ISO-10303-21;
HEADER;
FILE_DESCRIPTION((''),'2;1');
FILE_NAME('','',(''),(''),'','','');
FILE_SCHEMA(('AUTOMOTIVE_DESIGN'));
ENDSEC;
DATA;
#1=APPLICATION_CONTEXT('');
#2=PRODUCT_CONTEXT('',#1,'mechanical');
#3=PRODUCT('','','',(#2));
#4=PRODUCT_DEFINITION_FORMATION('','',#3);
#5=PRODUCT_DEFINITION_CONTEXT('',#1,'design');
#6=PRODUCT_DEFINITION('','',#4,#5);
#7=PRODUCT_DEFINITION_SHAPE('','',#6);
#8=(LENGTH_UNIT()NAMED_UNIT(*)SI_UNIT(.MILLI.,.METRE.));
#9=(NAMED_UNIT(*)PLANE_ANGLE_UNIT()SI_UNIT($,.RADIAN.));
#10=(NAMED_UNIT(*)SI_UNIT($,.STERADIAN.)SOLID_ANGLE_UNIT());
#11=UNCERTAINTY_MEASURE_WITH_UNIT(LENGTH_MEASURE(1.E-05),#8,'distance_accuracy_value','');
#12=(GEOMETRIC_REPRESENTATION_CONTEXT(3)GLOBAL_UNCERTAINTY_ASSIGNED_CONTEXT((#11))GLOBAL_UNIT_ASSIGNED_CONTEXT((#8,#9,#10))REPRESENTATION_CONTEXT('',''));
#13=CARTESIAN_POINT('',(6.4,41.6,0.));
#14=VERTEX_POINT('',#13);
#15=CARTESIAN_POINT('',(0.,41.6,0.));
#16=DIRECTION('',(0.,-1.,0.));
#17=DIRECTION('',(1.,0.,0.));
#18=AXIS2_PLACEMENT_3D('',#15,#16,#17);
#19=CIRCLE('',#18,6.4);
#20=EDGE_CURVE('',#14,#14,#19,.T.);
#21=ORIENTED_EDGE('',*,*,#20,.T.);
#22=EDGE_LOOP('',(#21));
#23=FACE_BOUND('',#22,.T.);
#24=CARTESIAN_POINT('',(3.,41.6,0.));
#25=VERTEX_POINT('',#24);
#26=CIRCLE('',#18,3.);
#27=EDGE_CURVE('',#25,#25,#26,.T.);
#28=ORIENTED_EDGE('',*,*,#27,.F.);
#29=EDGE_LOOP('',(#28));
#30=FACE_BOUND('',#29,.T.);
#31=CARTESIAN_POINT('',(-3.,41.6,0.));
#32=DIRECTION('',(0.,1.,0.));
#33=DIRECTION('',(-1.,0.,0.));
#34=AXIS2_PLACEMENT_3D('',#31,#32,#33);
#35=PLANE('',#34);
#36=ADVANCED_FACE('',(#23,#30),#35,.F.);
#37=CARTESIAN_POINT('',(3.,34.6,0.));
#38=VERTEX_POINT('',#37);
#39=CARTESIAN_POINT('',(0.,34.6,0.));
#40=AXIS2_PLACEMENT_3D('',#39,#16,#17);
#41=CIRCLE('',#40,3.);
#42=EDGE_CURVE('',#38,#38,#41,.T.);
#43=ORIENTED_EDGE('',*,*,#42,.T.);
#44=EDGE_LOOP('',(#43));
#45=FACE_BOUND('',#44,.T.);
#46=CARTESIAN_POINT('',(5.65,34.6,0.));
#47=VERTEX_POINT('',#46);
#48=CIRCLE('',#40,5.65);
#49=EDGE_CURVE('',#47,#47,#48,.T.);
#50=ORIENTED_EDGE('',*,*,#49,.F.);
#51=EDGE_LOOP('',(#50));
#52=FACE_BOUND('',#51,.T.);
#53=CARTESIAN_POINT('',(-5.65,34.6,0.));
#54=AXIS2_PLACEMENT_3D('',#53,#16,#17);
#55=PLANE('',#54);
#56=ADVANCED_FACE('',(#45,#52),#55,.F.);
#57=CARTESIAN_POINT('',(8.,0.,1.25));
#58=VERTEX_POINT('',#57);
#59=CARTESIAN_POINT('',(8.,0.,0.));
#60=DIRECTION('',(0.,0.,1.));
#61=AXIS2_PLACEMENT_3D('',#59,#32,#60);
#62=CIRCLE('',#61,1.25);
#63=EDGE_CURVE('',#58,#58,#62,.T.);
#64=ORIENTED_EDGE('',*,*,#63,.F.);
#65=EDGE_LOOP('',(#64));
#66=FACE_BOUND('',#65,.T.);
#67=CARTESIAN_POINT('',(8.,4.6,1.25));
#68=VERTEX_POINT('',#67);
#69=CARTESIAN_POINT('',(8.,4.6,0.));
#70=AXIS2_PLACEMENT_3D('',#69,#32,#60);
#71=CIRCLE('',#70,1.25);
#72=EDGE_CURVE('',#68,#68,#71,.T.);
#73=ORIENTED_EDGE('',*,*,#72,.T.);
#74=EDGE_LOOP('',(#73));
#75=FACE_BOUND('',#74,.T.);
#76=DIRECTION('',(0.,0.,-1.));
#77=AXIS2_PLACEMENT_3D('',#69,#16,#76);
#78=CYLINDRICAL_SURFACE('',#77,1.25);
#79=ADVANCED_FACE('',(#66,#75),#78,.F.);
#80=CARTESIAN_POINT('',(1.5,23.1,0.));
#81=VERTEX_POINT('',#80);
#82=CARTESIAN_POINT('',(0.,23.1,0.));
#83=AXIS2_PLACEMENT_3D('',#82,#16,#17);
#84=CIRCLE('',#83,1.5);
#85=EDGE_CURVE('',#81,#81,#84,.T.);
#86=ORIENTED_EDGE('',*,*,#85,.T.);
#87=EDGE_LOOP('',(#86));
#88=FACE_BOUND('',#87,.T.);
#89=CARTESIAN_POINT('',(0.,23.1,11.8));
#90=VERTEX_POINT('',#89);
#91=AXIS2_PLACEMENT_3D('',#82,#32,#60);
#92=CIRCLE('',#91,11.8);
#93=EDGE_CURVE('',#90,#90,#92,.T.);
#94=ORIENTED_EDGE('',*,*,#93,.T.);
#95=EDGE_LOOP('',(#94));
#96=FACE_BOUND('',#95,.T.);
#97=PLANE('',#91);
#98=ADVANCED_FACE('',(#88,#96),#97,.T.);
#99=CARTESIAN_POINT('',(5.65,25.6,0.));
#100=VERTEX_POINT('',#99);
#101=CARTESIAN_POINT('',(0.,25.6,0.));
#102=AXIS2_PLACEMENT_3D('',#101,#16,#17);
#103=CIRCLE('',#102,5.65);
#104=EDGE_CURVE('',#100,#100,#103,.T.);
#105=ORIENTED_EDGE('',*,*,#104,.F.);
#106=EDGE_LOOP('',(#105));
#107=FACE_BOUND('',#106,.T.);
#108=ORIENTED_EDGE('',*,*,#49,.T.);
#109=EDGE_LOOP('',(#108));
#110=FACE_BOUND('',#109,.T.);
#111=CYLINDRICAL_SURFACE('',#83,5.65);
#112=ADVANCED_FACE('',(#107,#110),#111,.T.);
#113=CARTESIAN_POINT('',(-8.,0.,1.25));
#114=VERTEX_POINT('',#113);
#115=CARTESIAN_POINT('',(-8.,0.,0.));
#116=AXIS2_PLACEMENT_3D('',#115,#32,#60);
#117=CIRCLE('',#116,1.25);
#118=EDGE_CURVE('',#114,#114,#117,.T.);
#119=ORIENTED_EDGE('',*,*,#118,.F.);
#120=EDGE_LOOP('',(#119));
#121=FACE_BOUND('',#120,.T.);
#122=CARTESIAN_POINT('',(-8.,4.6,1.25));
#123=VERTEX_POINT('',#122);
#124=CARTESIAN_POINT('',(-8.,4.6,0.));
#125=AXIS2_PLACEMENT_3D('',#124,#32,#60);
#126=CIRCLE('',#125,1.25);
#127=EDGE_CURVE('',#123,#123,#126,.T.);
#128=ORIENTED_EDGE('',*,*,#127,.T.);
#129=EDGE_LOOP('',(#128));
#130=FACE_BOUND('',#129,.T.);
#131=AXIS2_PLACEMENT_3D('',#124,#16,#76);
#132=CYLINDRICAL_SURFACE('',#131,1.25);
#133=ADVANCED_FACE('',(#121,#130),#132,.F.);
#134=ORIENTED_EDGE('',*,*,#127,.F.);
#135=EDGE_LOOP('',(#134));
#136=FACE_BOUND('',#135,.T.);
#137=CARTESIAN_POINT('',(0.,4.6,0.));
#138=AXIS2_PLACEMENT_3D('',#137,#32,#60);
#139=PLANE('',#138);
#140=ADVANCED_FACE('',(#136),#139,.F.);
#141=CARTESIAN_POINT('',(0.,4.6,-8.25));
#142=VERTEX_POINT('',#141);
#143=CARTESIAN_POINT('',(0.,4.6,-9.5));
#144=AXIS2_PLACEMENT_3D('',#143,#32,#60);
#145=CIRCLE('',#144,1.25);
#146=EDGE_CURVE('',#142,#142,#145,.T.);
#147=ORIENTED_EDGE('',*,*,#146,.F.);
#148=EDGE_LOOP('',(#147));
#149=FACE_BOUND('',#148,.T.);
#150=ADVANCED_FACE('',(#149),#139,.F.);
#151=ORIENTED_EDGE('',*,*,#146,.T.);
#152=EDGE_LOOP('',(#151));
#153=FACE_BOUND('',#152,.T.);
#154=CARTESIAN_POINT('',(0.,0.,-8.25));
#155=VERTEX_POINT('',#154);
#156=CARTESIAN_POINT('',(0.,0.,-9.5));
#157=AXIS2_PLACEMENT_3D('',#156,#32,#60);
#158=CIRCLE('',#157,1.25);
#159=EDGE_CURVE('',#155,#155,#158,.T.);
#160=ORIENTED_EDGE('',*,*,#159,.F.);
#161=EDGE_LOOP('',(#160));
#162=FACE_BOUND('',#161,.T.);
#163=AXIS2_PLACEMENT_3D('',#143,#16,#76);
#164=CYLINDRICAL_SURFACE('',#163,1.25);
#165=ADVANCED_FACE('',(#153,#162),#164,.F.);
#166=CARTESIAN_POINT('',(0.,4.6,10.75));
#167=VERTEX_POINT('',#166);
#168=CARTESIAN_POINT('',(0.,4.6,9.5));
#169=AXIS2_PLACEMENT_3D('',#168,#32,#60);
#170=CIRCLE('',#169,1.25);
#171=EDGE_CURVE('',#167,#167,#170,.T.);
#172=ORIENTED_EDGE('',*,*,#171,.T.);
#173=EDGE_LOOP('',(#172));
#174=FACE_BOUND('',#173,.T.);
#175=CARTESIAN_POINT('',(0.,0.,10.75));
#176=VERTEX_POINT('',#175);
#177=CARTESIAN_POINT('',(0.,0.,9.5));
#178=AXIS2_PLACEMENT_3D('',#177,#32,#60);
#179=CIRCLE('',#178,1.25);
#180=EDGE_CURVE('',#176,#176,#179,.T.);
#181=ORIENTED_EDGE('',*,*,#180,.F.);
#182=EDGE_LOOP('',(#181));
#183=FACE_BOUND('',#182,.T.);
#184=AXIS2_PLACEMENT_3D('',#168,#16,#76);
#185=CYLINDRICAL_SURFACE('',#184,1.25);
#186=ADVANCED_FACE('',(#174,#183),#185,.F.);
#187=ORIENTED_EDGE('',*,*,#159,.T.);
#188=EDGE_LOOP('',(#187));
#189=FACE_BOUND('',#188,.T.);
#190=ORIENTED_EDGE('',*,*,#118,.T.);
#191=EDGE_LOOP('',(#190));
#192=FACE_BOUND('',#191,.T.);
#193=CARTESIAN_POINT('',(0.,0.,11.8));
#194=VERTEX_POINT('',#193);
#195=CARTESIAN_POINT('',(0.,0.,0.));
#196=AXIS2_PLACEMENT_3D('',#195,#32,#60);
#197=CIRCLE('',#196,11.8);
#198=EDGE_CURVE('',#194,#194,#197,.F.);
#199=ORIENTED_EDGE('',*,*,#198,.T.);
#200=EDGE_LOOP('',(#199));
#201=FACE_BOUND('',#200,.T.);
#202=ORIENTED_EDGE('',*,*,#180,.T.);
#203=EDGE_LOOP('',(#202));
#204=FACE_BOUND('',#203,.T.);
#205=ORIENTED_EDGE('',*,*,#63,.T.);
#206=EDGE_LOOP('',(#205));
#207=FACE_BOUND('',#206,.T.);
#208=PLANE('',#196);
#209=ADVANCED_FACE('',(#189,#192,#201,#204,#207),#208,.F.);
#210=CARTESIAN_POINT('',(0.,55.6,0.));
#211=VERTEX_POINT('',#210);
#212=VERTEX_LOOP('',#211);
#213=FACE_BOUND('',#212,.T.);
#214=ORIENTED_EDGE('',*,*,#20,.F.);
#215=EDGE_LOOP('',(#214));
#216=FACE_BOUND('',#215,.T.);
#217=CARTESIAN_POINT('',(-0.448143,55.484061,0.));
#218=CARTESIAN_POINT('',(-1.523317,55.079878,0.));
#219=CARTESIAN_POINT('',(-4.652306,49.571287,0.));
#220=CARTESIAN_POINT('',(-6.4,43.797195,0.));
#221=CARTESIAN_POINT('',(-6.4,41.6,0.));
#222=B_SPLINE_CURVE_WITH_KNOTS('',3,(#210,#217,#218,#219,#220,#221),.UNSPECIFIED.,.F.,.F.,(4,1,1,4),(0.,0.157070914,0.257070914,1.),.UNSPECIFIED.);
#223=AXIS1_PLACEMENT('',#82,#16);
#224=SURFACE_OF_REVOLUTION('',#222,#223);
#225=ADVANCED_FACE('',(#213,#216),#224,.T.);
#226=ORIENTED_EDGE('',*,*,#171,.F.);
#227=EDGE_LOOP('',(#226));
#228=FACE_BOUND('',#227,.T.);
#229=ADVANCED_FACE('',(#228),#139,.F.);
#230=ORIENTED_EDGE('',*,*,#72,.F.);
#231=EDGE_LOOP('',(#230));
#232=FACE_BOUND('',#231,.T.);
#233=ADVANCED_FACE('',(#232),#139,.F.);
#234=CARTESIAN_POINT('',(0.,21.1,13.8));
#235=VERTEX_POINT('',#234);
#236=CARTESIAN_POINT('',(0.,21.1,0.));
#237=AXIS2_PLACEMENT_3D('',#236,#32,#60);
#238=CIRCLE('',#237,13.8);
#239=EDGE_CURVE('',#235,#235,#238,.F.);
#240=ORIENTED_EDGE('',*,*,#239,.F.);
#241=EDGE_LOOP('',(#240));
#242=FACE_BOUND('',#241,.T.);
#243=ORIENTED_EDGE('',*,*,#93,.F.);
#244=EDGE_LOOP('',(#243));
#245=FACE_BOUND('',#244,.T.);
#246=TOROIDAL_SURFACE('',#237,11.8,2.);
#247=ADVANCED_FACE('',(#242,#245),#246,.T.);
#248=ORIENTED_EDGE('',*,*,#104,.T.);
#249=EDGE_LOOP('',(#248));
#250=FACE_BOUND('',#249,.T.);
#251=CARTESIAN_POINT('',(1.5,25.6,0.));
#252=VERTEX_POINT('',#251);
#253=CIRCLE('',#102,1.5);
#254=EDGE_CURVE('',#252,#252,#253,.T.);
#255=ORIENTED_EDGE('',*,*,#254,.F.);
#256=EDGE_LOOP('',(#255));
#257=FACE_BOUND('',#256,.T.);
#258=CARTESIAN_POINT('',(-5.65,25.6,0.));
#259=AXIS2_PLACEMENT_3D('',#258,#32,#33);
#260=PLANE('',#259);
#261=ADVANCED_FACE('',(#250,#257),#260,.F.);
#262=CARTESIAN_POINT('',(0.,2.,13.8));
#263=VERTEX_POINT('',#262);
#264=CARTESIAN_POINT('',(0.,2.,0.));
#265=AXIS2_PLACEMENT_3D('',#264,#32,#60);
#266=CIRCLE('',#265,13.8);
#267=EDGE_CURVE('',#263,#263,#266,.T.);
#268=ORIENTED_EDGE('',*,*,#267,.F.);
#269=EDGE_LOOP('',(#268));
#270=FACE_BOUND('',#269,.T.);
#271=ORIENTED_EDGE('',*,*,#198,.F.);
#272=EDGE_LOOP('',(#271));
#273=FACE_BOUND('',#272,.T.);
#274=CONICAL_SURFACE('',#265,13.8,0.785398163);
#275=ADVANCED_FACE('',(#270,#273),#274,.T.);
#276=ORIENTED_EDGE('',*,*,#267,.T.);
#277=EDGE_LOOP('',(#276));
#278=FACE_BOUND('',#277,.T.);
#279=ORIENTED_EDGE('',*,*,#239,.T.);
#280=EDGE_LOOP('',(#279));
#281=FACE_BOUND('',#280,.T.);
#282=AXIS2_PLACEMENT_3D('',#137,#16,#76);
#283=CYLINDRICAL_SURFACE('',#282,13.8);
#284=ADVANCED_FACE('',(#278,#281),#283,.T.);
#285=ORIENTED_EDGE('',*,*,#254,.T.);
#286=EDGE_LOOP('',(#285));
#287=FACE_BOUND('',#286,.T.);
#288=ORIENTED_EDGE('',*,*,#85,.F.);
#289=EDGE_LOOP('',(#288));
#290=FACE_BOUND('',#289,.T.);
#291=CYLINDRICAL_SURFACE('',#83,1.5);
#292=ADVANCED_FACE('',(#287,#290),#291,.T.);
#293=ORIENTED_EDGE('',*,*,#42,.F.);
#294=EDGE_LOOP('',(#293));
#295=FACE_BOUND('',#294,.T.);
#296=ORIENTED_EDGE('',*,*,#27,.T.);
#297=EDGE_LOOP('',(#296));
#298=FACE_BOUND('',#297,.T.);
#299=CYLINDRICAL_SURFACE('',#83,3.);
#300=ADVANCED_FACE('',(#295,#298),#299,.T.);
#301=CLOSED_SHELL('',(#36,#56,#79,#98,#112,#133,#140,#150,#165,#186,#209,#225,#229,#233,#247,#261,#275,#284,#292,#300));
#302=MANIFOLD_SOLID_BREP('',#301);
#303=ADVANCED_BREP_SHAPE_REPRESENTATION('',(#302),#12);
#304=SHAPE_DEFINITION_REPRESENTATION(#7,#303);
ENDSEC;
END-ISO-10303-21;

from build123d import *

# Parameters (mm, degrees)
SKETCH_1_R      = 13.8
SKETCH_1_R_2    = 1.25
EXTRUDE_1_DEPTH = 4.6
SKETCH_2_R      = 13.8
EXTRUDE_2_DEPTH = 18.5
FILLET_1_R      = 2
CHAMFER_1_SIZE  = 2


with BuildPart() as part:
    # 草圖1 → 填料-伸長1 (new body)
    with BuildSketch(Plane(origin=(0, 0, 0), x_dir=(1, 0, 0), z_dir=(0, 1, 0))):
        with Locations(Location((0, 0, 0), (0, 0, 270))):
            Circle(SKETCH_1_R)
        with Locations(Location((0, 9.5, 0), (0, 0, 270))):
            Circle(SKETCH_1_R_2, mode=Mode.SUBTRACT)
        with Locations(Location((0, -9.5, 0), (0, 0, 270))):
            Circle(SKETCH_1_R_2, mode=Mode.SUBTRACT)
        with Locations(Location((8, 0, 0), (0, 0, 270))):
            Circle(SKETCH_1_R_2, mode=Mode.SUBTRACT)
        with Locations(Location((-8, 0, 0), (0, 0, 270))):
            Circle(SKETCH_1_R_2, mode=Mode.SUBTRACT)
    extrude(amount=EXTRUDE_1_DEPTH)

    # 草圖2 → 填料-伸長2 (add)
    with BuildSketch(Plane(origin=(0, 4.6, 0), x_dir=(1, 0, 0), z_dir=(0, 1, 0))):
        with Locations(Location((0, 0, 0), (0, 0, 270))):
            Circle(SKETCH_2_R)
    extrude(amount=EXTRUDE_2_DEPTH)

    # 圓角1
    fillet_1_edges = [part.edges().sort_by_distance(p)[0] for p in [
        (0, 23.1, -13.8),
    ]]
    fillet(fillet_1_edges, radius=FILLET_1_R)

    # 草圖5 → 旋轉1 (revolve)
    with BuildSketch(Plane.XY, mode=Mode.PRIVATE) as revolve_1_sk:
        with BuildLine():
            Line((0, 23.1), (0, 55.6))
            add(Edge.make_bspline(
                [(0, 55.6), (-0.448143347, 55.484061035), (-1.523316828, 55.079878449), (-4.652306248, 49.57128747), (-6.4, 43.797195066), (-6.4, 41.6)],
                knots=[0, 0, 0, 0, 0.157070914, 0.257070914, 1, 1, 1, 1], degree=3))
            Line((-6.4, 41.6), (-3, 41.6))
            Line((-3, 41.6), (-3, 34.6))
            Line((-3, 34.6), (-5.65, 34.6))
            Line((-5.65, 34.6), (-5.65, 25.6))
            Line((-5.65, 25.6), (-1.5, 25.6))
            Line((-1.5, 25.6), (-1.5, 23.1))
            Line((-1.5, 23.1), (0, 23.1))
        make_face()
    revolve(revolve_1_sk.sketch.rotate(Axis((0, 23.1, 0), (0, 1, 0)), 180), axis=Axis((0, 23.1, 0), (0, 1, 0)))

    # 導角1
    chamfer_1_edges = [part.edges().sort_by_distance(p)[0] for p in [
        (0, 0, -13.8),
    ]]
    chamfer(chamfer_1_edges, length=CHAMFER_1_SIZE)


solid = part.part
